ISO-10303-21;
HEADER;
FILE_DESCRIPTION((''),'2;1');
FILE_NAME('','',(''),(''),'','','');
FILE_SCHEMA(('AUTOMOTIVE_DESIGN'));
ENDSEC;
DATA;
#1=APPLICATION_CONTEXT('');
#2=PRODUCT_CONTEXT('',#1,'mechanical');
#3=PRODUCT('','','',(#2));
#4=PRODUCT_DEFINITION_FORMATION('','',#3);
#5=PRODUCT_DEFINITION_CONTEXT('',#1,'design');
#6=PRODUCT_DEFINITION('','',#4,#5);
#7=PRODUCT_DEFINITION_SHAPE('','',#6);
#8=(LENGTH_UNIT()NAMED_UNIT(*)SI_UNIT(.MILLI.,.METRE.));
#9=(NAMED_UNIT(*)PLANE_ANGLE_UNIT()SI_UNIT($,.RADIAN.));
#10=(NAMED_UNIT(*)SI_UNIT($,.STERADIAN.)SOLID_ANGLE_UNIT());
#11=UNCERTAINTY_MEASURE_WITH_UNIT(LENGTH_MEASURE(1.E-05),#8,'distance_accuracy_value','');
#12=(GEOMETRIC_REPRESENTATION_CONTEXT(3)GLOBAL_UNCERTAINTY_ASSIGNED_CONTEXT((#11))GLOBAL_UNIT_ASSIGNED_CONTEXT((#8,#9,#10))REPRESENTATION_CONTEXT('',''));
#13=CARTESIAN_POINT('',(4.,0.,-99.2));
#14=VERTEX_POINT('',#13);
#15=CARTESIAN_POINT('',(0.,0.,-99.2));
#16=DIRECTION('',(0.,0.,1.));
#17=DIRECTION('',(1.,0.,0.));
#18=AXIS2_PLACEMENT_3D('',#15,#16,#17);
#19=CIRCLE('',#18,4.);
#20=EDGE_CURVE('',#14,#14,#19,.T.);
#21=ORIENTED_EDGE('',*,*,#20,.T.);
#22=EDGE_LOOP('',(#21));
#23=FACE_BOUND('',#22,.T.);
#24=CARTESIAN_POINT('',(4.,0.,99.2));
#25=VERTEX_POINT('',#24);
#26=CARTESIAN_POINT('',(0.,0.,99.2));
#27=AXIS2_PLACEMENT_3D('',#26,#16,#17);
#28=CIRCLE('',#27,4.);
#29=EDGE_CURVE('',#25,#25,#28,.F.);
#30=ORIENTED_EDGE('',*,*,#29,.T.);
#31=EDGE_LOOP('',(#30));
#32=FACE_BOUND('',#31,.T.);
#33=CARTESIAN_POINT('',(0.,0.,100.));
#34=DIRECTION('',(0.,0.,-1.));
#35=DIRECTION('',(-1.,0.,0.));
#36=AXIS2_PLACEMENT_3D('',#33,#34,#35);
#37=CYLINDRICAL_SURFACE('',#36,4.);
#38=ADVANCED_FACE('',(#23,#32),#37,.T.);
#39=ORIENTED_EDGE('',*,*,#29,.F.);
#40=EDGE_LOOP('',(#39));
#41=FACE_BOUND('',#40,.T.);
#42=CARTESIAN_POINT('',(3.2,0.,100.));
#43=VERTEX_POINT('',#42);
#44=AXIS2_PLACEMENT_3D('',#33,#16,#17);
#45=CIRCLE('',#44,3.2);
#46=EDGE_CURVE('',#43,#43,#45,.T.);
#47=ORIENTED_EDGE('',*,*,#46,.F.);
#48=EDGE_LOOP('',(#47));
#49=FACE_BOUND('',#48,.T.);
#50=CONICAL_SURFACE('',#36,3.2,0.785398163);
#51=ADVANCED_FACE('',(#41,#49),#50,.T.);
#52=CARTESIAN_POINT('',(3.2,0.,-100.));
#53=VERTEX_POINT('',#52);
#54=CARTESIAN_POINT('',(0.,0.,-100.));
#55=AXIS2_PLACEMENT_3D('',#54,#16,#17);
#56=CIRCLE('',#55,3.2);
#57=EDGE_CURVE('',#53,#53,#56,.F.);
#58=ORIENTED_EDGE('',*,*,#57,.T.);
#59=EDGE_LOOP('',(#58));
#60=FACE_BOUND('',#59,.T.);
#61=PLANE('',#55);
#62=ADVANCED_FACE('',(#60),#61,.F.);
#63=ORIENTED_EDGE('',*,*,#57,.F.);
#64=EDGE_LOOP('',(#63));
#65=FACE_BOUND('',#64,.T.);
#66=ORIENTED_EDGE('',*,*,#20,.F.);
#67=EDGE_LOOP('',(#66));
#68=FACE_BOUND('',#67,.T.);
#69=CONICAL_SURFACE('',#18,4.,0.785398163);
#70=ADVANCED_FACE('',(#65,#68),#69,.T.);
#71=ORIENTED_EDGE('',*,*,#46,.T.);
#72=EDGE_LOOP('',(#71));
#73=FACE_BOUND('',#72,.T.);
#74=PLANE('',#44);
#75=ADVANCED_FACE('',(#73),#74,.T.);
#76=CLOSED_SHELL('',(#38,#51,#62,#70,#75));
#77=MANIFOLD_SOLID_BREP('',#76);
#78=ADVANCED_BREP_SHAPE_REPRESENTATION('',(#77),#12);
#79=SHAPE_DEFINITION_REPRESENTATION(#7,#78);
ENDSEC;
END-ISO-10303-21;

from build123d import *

# Parameters (mm, degrees)
SKETCH1_R      = 4
EXTRUDE1_DEPTH = 100
CHAMFER1_SIZE  = 0.8


with BuildPart() as part:
    # Sketch1 → Extrude1 (new, symmetric)
    with BuildSketch(Plane.XY):
        Circle(SKETCH1_R)
    extrude(amount=EXTRUDE1_DEPTH, both=True)

    # Chamfer1
    chamfer1_edges = [part.edges().sort_by_distance(p)[0] for p in [
        (-4, 0, -100),
        (-4, 0, 100),
    ]]
    chamfer(chamfer1_edges, length=CHAMFER1_SIZE)


solid = part.part
